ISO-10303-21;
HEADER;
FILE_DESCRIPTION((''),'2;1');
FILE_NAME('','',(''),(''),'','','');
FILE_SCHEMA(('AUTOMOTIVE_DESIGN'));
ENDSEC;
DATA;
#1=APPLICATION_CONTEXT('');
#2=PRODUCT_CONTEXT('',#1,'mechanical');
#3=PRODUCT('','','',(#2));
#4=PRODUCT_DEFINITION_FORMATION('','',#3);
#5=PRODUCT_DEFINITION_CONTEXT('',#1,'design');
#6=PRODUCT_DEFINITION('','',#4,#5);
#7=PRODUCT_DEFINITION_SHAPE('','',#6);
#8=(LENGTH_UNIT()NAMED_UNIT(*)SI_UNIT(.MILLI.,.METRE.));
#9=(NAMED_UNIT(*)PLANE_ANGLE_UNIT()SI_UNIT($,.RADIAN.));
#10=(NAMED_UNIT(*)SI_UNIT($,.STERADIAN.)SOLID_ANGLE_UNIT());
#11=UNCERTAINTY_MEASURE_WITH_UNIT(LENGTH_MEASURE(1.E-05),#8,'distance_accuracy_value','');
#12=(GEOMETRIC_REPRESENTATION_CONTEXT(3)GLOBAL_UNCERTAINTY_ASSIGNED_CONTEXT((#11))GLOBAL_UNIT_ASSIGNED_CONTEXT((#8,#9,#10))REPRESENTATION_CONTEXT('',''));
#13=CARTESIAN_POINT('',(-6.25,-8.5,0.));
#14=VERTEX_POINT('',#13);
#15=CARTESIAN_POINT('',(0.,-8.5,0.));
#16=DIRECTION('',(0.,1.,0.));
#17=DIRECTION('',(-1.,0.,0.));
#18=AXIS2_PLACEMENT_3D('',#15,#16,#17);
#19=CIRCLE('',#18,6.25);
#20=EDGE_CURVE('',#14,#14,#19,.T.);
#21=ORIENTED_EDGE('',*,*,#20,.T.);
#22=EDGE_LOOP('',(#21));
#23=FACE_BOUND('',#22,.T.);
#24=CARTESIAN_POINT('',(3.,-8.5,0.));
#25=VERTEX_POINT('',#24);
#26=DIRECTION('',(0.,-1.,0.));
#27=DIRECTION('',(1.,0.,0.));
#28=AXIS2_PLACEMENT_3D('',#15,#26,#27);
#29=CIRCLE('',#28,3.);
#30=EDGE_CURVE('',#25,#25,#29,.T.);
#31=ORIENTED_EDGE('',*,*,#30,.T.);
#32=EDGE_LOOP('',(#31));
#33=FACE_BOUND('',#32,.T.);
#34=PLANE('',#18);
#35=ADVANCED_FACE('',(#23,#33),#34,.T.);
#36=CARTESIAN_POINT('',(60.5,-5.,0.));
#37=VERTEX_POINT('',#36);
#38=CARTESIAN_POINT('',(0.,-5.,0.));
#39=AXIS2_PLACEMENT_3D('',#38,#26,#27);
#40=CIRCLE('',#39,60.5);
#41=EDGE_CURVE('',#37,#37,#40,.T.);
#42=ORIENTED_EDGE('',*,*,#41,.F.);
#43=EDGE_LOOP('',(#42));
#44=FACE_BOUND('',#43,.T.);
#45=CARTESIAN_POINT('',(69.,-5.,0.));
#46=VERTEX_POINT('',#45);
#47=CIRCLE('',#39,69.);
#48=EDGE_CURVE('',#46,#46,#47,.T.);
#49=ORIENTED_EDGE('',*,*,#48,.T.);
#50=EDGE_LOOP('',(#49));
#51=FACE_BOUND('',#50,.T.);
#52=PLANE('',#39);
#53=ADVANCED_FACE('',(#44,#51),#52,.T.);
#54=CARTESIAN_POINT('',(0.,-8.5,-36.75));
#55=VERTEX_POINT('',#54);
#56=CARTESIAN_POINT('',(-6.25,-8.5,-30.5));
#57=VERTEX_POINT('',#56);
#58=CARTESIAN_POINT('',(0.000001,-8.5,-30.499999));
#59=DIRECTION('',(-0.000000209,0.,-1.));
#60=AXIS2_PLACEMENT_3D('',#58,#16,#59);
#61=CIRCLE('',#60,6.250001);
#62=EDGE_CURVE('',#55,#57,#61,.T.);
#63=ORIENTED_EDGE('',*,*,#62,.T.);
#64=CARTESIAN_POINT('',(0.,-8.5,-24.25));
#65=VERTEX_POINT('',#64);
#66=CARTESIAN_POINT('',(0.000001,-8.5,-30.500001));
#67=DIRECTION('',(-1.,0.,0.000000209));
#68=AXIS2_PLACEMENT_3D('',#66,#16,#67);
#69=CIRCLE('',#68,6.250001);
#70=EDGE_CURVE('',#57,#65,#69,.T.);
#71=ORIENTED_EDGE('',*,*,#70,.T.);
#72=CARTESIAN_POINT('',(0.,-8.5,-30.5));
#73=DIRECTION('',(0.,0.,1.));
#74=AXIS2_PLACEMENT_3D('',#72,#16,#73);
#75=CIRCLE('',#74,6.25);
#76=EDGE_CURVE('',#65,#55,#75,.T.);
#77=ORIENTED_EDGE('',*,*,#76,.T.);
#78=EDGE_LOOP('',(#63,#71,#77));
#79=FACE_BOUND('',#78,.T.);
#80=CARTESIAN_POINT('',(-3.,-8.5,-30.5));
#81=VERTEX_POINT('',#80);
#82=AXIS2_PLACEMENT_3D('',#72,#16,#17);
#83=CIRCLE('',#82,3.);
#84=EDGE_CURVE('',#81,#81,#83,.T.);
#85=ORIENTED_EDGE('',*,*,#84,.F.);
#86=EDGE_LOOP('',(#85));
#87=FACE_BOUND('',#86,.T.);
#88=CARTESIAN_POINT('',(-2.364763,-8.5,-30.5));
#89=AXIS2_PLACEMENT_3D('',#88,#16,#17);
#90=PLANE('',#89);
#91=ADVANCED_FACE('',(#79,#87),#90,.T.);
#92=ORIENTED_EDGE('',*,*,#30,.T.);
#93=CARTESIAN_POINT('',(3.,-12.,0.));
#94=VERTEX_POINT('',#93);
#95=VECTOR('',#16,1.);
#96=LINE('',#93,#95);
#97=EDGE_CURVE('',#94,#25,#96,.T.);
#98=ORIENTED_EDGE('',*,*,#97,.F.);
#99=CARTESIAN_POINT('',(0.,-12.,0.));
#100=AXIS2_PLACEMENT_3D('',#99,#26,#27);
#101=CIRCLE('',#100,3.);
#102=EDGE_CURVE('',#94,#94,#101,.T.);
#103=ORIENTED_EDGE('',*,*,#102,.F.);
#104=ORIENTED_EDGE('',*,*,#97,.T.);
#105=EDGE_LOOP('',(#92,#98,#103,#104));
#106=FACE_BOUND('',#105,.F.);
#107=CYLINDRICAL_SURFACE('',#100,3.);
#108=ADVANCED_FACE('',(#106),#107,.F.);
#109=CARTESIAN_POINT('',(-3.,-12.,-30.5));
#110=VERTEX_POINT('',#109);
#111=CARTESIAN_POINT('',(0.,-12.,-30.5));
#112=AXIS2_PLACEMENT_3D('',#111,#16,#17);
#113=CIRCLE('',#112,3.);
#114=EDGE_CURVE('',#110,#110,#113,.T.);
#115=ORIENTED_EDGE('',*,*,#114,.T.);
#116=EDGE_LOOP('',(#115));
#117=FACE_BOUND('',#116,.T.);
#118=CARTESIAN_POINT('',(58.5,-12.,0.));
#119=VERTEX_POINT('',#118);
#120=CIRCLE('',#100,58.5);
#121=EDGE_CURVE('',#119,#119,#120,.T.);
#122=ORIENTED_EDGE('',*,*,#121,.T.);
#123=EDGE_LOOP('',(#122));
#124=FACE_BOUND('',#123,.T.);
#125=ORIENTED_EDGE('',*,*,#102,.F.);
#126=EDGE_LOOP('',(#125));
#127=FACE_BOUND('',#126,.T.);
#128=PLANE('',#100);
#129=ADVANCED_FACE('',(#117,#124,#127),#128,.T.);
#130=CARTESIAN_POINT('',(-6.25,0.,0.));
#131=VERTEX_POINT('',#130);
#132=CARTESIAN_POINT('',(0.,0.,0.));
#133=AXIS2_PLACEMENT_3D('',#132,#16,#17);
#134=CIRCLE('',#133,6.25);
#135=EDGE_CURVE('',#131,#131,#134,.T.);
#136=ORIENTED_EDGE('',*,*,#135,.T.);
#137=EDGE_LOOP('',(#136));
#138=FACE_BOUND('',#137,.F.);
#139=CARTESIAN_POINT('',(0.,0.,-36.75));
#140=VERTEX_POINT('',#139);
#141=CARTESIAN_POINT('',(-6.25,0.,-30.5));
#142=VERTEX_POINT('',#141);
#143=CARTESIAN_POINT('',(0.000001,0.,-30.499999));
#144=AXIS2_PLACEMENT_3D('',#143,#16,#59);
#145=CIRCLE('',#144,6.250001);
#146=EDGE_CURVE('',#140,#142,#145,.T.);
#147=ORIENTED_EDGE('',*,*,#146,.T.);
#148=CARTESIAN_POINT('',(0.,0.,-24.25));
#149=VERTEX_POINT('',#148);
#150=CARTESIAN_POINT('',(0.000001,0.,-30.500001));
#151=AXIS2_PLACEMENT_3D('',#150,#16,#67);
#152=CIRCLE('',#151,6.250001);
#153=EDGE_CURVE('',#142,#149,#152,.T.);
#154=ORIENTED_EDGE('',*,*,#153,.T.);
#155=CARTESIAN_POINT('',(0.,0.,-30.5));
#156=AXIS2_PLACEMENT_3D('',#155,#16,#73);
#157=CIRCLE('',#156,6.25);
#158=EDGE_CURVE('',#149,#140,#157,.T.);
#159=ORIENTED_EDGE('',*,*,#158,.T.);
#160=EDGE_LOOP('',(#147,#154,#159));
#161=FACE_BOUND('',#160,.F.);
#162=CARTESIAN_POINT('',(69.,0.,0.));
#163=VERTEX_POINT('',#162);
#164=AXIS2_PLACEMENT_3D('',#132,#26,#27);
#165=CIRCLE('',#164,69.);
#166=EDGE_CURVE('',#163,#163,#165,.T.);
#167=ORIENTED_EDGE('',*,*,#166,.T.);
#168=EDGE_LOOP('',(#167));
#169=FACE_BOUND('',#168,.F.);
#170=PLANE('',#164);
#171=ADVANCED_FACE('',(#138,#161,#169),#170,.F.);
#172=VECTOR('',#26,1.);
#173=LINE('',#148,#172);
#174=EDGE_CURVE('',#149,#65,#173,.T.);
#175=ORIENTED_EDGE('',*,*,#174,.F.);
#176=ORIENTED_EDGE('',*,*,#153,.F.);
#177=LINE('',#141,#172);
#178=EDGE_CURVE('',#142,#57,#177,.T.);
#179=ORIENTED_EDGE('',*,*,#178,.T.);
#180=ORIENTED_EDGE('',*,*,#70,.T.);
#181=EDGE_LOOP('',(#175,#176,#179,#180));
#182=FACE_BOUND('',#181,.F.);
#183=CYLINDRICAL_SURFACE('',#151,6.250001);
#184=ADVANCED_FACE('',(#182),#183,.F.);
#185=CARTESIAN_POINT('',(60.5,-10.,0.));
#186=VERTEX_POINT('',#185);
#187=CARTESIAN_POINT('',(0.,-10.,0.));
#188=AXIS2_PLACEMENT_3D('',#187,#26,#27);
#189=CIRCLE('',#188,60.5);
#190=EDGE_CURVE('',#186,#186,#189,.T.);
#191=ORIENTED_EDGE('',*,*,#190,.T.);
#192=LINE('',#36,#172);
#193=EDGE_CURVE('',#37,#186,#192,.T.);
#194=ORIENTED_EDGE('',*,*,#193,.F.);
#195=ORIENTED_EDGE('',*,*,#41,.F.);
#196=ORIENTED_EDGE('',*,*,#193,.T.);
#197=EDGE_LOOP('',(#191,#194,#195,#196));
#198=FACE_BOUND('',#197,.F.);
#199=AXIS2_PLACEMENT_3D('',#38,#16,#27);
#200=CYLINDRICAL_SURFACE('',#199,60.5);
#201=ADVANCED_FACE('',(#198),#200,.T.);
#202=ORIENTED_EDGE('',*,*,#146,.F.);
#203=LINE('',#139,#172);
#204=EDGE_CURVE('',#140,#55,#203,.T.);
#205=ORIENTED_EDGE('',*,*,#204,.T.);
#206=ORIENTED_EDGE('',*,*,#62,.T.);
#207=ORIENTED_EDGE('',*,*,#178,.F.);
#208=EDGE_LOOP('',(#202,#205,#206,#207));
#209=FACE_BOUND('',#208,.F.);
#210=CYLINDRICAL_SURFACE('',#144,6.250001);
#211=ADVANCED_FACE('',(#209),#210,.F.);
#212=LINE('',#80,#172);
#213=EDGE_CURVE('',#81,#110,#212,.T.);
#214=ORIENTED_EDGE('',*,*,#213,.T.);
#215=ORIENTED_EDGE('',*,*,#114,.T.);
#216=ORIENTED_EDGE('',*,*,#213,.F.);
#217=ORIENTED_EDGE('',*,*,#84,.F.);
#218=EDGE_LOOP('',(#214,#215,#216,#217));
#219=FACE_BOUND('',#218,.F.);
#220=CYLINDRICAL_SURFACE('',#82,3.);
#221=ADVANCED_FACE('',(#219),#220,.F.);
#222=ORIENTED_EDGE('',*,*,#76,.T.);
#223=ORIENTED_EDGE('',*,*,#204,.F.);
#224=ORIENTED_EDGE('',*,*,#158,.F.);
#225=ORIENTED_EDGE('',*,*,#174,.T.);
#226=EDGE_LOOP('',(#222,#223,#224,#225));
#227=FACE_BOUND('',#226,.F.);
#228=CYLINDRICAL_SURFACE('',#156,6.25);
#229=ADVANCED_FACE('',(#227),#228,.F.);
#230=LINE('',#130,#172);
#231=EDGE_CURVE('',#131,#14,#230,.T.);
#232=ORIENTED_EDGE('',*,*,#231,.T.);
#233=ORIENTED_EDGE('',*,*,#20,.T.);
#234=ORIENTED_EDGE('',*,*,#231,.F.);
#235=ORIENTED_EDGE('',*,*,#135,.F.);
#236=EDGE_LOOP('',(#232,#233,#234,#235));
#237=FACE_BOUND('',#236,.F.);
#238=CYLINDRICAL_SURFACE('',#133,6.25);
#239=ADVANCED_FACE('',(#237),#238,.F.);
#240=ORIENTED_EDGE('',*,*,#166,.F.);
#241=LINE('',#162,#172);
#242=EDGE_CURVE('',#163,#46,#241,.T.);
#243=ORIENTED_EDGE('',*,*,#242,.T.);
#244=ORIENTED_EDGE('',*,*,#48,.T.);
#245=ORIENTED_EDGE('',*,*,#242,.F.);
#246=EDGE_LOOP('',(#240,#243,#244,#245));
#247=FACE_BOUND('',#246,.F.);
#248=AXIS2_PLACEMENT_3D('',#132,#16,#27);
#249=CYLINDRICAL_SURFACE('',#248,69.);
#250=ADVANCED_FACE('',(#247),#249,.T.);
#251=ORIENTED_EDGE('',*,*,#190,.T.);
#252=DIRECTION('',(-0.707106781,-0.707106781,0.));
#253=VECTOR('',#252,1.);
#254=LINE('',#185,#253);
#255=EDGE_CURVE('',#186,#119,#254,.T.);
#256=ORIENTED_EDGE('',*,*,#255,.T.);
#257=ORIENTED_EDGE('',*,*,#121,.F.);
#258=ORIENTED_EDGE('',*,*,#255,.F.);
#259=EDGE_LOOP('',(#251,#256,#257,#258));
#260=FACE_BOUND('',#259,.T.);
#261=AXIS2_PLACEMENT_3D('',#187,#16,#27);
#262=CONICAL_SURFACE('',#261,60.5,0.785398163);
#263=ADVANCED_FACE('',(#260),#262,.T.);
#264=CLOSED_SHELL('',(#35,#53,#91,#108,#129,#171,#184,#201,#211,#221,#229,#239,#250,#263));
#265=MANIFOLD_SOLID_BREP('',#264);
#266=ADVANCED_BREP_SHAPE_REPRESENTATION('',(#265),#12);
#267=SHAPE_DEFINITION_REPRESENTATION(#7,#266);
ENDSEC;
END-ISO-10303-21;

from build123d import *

# Parameters (mm, degrees)
F0_R      = 69
F1_DEPTH  = 5
F2_R      = 60.5
F3_DEPTH  = 7
F4_R      = 6.25
F5_DEPTH  = 8.5
F6_R      = 3
F7_DEPTH  = 25
F9_DEPTH  = 8.5
F10_R     = 3
F11_DEPTH = 25
F12_SIZE  = 2


with BuildPart() as f1:
    # F0 (on Front) → F1 (new body)
    with BuildSketch(Plane.XZ):
        Circle(F0_R)
    extrude(amount=F1_DEPTH)

    # F2 (on face) → F3 (join)
    with BuildSketch(Plane.XZ.offset(5)):
        Circle(F2_R)
    extrude(amount=F3_DEPTH)

    # F4 (on face) → F5 (cut)
    with BuildSketch(Plane(origin=(0, 0, 0), x_dir=(-1, 0, 0), z_dir=(0, 1, 0))):
        Circle(F4_R)
    extrude(amount=-F5_DEPTH, mode=Mode.SUBTRACT)

    # F6 (on face) → F7 (cut)
    with BuildSketch(Plane.XZ.offset(12)):
        Circle(F6_R)
    extrude(amount=-F7_DEPTH, mode=Mode.SUBTRACT)

    # F8 (on face) → F9 (cut)
    with BuildSketch(Plane(origin=(0, 0, 0), x_dir=(-1, 0, 0), z_dir=(0, 1, 0))):
        with BuildLine():
            ThreePointArc((6.25, -30.5), (4.419417, -26.080583), (0, -24.25))
            Line((0, -24.25), (0, -36.75))
            ThreePointArc((0, -36.75), (4.419417, -34.919417), (6.25, -30.5))
        make_face()
        with BuildLine():
            Line((0, -36.75), (0, -24.25))
            ThreePointArc((0, -24.25), (-6.25, -30.5), (0, -36.75))
        make_face()
    extrude(amount=-F9_DEPTH, mode=Mode.SUBTRACT)

    # F10 (on face) → F11 (cut)
    with BuildSketch(Plane(origin=(0, -8.5, 0), x_dir=(-1, 0, 0), z_dir=(0, 1, 0))):
        with Locations((0, -30.5)):
            Circle(F10_R)
    extrude(amount=-F11_DEPTH, mode=Mode.SUBTRACT)

    # F12
    f12_edges = [f1.edges().sort_by_distance(p)[0] for p in [
        (-60.5, -12, 0),
    ]]
    chamfer(f12_edges, length=F12_SIZE)


solid = f1.part
